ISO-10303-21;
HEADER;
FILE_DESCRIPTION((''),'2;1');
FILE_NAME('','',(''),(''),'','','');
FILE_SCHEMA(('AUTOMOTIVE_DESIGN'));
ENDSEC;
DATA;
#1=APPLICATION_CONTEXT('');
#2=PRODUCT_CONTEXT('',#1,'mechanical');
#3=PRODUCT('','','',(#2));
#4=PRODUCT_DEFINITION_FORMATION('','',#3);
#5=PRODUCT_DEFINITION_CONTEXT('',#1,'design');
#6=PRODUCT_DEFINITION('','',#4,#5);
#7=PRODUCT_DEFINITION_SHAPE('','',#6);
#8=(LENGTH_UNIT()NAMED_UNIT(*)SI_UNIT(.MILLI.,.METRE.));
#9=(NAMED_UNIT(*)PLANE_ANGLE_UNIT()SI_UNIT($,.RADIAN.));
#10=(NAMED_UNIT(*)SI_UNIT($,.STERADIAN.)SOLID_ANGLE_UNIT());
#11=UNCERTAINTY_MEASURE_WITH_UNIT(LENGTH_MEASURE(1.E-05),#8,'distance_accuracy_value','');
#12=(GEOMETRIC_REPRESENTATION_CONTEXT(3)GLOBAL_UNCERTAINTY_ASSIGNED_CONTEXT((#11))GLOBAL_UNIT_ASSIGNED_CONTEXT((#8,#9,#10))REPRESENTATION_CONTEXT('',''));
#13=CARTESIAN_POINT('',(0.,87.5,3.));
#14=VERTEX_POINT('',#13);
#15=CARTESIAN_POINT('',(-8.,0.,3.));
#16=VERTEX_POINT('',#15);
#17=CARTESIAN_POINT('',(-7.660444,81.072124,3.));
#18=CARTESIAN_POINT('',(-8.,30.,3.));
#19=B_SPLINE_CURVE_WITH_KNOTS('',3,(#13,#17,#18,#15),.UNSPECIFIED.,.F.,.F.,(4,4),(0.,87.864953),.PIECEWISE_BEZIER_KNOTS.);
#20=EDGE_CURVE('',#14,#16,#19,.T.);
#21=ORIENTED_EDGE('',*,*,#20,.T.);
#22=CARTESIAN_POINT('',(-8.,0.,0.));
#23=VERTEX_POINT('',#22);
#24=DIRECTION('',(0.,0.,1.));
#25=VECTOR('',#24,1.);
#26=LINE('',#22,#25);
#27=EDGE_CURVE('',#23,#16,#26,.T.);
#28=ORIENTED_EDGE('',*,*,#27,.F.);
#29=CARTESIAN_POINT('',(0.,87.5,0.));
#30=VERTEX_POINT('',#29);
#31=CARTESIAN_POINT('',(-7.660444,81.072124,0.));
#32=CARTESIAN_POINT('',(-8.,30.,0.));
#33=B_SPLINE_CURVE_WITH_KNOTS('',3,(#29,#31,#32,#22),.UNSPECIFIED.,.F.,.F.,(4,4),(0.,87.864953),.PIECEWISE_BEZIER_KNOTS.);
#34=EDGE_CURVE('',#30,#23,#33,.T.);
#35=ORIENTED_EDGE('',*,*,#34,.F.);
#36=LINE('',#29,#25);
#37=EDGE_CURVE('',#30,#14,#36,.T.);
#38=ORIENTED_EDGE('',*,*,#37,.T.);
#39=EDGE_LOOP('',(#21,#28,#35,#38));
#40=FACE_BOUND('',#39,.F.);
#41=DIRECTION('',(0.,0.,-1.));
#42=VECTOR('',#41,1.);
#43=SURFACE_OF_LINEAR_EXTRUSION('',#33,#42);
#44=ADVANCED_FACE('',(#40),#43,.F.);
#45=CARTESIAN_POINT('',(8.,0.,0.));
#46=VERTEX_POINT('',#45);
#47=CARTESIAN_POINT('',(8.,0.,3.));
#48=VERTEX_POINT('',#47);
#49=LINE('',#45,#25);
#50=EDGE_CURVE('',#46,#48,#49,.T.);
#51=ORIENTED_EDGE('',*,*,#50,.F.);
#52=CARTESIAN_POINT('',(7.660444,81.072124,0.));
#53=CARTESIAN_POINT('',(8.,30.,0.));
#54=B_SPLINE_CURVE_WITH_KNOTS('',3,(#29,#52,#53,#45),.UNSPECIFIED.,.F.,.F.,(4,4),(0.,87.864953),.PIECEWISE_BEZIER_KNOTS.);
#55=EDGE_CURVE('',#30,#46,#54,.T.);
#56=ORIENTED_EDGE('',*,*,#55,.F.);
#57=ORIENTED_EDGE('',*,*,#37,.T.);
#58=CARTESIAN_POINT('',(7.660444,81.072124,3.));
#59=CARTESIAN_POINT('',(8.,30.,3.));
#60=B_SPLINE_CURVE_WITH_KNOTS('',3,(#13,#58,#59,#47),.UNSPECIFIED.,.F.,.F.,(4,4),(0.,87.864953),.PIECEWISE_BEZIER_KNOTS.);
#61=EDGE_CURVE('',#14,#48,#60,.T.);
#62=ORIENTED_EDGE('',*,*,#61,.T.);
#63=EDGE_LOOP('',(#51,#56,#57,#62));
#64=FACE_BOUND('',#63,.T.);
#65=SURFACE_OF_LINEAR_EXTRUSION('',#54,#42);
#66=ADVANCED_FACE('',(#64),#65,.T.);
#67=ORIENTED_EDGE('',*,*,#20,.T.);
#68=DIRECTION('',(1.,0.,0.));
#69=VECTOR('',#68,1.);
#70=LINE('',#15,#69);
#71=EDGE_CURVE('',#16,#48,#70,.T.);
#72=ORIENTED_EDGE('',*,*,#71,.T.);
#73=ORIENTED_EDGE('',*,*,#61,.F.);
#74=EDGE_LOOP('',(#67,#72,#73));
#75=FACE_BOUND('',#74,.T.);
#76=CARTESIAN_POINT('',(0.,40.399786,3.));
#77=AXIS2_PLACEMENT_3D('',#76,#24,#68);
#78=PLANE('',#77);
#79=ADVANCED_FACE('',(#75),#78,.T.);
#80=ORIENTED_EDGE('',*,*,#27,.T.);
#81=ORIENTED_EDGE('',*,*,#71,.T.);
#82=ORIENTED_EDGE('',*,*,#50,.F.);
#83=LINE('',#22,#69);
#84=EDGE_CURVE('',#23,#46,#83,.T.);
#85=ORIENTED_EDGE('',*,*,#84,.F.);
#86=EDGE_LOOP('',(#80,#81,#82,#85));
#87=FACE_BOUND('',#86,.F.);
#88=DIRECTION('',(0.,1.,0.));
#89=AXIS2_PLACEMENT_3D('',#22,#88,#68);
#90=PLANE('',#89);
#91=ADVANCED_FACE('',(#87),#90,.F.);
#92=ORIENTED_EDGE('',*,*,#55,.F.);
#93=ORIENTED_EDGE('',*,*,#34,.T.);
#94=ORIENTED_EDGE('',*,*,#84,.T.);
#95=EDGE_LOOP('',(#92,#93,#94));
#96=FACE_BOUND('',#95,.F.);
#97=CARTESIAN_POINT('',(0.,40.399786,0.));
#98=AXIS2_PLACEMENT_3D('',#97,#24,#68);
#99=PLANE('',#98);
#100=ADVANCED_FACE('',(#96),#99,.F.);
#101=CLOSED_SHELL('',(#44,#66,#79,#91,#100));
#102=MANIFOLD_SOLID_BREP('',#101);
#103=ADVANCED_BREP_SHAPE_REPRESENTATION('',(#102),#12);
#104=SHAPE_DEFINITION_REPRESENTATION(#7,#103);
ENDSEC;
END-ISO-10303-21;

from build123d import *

# Parameters (mm, degrees)
F1_DEPTH = 3


with BuildPart() as f1:
    # F0 (on Top) → F1 (new body)
    with BuildSketch(Plane.XY):
        with BuildLine():
            Line((-8, 0), (0, 0))
            Line((0, 0), (8, 0))
            add(Edge.make_bspline(
                [(0, 87.5), (7.660444, 81.072124), (8, 30), (8, 0)],
                knots=[0, 0, 0, 0, 87.864953, 87.864953, 87.864953, 87.864953], degree=3))
            add(Edge.make_bspline(
                [(0, 87.5), (-7.660444, 81.072124), (-8, 30), (-8, 0)],
                knots=[0, 0, 0, 0, 87.864953, 87.864953, 87.864953, 87.864953], degree=3))
        make_face()
    extrude(amount=F1_DEPTH)


solid = f1.part
